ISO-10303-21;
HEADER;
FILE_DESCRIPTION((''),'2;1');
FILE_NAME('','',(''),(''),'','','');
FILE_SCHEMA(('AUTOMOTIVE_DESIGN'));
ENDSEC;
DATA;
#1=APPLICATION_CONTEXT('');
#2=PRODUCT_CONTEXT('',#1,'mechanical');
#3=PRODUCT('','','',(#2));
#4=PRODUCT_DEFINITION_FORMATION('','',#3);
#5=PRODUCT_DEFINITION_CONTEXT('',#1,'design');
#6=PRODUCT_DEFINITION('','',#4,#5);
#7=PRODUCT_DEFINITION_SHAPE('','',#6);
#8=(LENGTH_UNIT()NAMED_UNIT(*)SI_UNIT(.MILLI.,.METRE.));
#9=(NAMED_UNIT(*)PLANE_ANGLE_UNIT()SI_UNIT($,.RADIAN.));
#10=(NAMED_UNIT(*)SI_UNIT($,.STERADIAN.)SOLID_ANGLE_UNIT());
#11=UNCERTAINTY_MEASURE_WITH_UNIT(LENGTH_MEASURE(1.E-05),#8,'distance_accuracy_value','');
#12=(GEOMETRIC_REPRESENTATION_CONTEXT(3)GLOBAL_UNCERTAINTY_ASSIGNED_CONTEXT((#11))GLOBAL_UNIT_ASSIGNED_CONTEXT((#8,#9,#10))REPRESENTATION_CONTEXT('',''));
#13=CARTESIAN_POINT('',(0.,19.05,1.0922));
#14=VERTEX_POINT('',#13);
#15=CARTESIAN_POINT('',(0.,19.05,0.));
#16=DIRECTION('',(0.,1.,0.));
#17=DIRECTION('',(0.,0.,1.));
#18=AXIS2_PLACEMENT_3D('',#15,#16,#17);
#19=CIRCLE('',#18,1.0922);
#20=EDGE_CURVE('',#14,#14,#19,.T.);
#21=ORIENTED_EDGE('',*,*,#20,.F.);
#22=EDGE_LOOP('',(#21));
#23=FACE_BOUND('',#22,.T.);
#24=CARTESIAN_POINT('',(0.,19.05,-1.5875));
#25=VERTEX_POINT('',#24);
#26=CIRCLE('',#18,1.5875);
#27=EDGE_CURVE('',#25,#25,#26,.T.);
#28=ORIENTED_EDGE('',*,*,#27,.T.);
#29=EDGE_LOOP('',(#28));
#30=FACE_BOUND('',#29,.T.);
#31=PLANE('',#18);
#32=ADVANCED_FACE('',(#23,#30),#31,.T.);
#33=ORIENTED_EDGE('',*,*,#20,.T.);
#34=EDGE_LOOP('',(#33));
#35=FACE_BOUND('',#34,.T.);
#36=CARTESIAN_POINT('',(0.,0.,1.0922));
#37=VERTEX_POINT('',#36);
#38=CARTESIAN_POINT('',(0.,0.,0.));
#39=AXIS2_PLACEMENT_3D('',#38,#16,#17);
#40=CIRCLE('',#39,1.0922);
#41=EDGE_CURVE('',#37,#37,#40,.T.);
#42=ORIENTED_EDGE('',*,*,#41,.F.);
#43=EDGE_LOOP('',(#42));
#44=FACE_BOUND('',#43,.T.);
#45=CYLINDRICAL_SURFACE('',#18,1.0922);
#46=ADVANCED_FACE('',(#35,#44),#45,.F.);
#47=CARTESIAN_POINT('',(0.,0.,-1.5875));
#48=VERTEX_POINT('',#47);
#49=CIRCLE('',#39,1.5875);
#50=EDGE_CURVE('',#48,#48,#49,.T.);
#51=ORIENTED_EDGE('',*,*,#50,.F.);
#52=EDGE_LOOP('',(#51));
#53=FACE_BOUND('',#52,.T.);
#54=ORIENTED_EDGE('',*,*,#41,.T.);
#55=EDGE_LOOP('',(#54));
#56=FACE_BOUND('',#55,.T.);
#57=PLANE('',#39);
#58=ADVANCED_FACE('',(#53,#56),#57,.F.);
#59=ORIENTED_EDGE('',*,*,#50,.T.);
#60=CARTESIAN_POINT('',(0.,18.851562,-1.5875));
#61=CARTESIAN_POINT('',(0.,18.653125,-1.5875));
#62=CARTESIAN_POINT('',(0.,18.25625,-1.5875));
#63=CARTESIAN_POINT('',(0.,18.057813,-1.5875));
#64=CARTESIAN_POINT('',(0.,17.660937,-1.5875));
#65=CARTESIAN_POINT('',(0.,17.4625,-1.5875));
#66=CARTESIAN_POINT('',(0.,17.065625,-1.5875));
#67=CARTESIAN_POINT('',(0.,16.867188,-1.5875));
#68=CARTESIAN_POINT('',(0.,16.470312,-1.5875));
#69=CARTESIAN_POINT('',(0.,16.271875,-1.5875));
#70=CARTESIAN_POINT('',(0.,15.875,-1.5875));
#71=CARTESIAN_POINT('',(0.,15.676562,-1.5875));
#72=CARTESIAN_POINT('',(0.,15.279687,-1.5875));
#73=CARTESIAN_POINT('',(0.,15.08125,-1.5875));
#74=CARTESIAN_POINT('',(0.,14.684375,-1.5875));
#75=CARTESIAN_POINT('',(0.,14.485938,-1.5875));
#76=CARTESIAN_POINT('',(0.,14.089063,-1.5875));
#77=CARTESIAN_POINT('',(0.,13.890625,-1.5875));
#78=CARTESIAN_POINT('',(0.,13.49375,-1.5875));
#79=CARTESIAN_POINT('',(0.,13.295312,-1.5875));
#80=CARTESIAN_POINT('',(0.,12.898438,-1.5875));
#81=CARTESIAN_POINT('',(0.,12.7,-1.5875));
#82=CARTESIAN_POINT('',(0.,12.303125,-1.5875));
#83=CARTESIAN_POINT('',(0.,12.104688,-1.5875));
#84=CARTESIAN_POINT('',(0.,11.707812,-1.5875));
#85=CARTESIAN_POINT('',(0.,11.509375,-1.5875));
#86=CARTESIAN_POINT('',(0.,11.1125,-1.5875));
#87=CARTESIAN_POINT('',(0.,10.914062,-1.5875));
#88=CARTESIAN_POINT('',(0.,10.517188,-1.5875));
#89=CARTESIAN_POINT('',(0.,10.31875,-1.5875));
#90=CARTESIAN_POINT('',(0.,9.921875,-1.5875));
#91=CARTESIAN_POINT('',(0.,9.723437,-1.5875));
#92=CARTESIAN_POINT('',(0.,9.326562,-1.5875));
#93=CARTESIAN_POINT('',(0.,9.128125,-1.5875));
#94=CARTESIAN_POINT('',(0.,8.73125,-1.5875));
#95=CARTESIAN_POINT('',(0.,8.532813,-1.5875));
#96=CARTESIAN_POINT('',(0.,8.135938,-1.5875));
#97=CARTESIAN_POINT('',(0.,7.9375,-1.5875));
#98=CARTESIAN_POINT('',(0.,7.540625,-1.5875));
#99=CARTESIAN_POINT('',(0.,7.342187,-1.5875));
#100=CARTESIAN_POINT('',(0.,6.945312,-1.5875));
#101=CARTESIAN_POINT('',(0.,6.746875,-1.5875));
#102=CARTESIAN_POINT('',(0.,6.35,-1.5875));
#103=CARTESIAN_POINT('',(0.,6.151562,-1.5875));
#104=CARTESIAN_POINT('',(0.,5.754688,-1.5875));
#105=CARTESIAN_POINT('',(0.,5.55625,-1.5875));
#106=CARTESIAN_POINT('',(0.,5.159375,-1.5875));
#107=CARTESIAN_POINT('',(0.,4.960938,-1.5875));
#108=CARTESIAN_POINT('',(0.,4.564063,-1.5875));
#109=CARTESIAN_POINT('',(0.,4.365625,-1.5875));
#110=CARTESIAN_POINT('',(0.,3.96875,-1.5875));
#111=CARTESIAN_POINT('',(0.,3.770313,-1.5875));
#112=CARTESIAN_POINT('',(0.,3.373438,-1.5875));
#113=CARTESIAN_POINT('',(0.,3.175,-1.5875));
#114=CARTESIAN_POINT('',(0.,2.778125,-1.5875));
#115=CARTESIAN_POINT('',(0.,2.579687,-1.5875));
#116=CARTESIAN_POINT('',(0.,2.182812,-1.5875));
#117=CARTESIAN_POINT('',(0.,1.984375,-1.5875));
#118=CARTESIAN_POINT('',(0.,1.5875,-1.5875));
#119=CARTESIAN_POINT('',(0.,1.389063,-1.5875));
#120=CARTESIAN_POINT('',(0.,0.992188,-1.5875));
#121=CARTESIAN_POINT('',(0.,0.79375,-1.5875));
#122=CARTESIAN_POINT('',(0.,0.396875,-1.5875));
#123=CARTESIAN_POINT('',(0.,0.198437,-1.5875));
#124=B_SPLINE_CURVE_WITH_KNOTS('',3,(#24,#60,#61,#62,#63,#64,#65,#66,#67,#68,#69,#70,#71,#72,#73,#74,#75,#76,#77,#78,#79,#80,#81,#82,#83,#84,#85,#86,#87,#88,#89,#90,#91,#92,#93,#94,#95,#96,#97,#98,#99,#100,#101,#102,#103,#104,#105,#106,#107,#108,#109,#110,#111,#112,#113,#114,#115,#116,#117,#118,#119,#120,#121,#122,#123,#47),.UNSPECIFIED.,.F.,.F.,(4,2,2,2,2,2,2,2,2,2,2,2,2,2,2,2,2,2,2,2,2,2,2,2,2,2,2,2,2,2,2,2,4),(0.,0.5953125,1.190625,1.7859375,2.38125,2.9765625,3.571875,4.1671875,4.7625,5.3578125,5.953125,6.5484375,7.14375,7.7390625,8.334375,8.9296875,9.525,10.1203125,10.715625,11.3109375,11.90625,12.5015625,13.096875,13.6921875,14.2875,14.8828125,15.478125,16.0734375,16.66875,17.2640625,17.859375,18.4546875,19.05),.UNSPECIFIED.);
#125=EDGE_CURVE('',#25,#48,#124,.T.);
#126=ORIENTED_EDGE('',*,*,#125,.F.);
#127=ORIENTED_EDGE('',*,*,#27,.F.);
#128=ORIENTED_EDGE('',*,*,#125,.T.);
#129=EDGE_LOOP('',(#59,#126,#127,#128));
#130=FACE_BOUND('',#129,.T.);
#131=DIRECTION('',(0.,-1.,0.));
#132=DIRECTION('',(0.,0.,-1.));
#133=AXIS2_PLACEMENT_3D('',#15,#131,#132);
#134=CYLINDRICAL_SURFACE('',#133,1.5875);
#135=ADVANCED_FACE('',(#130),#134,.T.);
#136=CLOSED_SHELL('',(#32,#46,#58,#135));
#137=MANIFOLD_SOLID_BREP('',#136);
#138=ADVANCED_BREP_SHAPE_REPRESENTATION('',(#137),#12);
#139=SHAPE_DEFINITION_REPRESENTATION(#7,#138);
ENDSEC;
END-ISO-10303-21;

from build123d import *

# Parameters (mm, degrees)
SKETCH1_R             = 1.5875
BOSS_EXTRUDE1_DEPTH   = 19.05
F_2_56_TAPPED_HOLE1_D = 2.1844


with BuildPart() as part:
    # Sketch1 → Boss-Extrude1 (new body)
    with BuildSketch(Plane(origin=(0, 0, 0), x_dir=(1, 0, 0), z_dir=(0, 1, 0))):
        with Locations(Location((0, 0, 0), (0, 0, 90))):
            Circle(SKETCH1_R)
    extrude(amount=BOSS_EXTRUDE1_DEPTH)

    # #2-56 Tapped Hole1 (through all)
    with Locations(Plane(origin=(0, 19.05, 0), x_dir=(1, 0, 0), z_dir=(0, 1, 0))):
        with Locations((0, 0)):
            Hole(F_2_56_TAPPED_HOLE1_D / 2)


solid = part.part
